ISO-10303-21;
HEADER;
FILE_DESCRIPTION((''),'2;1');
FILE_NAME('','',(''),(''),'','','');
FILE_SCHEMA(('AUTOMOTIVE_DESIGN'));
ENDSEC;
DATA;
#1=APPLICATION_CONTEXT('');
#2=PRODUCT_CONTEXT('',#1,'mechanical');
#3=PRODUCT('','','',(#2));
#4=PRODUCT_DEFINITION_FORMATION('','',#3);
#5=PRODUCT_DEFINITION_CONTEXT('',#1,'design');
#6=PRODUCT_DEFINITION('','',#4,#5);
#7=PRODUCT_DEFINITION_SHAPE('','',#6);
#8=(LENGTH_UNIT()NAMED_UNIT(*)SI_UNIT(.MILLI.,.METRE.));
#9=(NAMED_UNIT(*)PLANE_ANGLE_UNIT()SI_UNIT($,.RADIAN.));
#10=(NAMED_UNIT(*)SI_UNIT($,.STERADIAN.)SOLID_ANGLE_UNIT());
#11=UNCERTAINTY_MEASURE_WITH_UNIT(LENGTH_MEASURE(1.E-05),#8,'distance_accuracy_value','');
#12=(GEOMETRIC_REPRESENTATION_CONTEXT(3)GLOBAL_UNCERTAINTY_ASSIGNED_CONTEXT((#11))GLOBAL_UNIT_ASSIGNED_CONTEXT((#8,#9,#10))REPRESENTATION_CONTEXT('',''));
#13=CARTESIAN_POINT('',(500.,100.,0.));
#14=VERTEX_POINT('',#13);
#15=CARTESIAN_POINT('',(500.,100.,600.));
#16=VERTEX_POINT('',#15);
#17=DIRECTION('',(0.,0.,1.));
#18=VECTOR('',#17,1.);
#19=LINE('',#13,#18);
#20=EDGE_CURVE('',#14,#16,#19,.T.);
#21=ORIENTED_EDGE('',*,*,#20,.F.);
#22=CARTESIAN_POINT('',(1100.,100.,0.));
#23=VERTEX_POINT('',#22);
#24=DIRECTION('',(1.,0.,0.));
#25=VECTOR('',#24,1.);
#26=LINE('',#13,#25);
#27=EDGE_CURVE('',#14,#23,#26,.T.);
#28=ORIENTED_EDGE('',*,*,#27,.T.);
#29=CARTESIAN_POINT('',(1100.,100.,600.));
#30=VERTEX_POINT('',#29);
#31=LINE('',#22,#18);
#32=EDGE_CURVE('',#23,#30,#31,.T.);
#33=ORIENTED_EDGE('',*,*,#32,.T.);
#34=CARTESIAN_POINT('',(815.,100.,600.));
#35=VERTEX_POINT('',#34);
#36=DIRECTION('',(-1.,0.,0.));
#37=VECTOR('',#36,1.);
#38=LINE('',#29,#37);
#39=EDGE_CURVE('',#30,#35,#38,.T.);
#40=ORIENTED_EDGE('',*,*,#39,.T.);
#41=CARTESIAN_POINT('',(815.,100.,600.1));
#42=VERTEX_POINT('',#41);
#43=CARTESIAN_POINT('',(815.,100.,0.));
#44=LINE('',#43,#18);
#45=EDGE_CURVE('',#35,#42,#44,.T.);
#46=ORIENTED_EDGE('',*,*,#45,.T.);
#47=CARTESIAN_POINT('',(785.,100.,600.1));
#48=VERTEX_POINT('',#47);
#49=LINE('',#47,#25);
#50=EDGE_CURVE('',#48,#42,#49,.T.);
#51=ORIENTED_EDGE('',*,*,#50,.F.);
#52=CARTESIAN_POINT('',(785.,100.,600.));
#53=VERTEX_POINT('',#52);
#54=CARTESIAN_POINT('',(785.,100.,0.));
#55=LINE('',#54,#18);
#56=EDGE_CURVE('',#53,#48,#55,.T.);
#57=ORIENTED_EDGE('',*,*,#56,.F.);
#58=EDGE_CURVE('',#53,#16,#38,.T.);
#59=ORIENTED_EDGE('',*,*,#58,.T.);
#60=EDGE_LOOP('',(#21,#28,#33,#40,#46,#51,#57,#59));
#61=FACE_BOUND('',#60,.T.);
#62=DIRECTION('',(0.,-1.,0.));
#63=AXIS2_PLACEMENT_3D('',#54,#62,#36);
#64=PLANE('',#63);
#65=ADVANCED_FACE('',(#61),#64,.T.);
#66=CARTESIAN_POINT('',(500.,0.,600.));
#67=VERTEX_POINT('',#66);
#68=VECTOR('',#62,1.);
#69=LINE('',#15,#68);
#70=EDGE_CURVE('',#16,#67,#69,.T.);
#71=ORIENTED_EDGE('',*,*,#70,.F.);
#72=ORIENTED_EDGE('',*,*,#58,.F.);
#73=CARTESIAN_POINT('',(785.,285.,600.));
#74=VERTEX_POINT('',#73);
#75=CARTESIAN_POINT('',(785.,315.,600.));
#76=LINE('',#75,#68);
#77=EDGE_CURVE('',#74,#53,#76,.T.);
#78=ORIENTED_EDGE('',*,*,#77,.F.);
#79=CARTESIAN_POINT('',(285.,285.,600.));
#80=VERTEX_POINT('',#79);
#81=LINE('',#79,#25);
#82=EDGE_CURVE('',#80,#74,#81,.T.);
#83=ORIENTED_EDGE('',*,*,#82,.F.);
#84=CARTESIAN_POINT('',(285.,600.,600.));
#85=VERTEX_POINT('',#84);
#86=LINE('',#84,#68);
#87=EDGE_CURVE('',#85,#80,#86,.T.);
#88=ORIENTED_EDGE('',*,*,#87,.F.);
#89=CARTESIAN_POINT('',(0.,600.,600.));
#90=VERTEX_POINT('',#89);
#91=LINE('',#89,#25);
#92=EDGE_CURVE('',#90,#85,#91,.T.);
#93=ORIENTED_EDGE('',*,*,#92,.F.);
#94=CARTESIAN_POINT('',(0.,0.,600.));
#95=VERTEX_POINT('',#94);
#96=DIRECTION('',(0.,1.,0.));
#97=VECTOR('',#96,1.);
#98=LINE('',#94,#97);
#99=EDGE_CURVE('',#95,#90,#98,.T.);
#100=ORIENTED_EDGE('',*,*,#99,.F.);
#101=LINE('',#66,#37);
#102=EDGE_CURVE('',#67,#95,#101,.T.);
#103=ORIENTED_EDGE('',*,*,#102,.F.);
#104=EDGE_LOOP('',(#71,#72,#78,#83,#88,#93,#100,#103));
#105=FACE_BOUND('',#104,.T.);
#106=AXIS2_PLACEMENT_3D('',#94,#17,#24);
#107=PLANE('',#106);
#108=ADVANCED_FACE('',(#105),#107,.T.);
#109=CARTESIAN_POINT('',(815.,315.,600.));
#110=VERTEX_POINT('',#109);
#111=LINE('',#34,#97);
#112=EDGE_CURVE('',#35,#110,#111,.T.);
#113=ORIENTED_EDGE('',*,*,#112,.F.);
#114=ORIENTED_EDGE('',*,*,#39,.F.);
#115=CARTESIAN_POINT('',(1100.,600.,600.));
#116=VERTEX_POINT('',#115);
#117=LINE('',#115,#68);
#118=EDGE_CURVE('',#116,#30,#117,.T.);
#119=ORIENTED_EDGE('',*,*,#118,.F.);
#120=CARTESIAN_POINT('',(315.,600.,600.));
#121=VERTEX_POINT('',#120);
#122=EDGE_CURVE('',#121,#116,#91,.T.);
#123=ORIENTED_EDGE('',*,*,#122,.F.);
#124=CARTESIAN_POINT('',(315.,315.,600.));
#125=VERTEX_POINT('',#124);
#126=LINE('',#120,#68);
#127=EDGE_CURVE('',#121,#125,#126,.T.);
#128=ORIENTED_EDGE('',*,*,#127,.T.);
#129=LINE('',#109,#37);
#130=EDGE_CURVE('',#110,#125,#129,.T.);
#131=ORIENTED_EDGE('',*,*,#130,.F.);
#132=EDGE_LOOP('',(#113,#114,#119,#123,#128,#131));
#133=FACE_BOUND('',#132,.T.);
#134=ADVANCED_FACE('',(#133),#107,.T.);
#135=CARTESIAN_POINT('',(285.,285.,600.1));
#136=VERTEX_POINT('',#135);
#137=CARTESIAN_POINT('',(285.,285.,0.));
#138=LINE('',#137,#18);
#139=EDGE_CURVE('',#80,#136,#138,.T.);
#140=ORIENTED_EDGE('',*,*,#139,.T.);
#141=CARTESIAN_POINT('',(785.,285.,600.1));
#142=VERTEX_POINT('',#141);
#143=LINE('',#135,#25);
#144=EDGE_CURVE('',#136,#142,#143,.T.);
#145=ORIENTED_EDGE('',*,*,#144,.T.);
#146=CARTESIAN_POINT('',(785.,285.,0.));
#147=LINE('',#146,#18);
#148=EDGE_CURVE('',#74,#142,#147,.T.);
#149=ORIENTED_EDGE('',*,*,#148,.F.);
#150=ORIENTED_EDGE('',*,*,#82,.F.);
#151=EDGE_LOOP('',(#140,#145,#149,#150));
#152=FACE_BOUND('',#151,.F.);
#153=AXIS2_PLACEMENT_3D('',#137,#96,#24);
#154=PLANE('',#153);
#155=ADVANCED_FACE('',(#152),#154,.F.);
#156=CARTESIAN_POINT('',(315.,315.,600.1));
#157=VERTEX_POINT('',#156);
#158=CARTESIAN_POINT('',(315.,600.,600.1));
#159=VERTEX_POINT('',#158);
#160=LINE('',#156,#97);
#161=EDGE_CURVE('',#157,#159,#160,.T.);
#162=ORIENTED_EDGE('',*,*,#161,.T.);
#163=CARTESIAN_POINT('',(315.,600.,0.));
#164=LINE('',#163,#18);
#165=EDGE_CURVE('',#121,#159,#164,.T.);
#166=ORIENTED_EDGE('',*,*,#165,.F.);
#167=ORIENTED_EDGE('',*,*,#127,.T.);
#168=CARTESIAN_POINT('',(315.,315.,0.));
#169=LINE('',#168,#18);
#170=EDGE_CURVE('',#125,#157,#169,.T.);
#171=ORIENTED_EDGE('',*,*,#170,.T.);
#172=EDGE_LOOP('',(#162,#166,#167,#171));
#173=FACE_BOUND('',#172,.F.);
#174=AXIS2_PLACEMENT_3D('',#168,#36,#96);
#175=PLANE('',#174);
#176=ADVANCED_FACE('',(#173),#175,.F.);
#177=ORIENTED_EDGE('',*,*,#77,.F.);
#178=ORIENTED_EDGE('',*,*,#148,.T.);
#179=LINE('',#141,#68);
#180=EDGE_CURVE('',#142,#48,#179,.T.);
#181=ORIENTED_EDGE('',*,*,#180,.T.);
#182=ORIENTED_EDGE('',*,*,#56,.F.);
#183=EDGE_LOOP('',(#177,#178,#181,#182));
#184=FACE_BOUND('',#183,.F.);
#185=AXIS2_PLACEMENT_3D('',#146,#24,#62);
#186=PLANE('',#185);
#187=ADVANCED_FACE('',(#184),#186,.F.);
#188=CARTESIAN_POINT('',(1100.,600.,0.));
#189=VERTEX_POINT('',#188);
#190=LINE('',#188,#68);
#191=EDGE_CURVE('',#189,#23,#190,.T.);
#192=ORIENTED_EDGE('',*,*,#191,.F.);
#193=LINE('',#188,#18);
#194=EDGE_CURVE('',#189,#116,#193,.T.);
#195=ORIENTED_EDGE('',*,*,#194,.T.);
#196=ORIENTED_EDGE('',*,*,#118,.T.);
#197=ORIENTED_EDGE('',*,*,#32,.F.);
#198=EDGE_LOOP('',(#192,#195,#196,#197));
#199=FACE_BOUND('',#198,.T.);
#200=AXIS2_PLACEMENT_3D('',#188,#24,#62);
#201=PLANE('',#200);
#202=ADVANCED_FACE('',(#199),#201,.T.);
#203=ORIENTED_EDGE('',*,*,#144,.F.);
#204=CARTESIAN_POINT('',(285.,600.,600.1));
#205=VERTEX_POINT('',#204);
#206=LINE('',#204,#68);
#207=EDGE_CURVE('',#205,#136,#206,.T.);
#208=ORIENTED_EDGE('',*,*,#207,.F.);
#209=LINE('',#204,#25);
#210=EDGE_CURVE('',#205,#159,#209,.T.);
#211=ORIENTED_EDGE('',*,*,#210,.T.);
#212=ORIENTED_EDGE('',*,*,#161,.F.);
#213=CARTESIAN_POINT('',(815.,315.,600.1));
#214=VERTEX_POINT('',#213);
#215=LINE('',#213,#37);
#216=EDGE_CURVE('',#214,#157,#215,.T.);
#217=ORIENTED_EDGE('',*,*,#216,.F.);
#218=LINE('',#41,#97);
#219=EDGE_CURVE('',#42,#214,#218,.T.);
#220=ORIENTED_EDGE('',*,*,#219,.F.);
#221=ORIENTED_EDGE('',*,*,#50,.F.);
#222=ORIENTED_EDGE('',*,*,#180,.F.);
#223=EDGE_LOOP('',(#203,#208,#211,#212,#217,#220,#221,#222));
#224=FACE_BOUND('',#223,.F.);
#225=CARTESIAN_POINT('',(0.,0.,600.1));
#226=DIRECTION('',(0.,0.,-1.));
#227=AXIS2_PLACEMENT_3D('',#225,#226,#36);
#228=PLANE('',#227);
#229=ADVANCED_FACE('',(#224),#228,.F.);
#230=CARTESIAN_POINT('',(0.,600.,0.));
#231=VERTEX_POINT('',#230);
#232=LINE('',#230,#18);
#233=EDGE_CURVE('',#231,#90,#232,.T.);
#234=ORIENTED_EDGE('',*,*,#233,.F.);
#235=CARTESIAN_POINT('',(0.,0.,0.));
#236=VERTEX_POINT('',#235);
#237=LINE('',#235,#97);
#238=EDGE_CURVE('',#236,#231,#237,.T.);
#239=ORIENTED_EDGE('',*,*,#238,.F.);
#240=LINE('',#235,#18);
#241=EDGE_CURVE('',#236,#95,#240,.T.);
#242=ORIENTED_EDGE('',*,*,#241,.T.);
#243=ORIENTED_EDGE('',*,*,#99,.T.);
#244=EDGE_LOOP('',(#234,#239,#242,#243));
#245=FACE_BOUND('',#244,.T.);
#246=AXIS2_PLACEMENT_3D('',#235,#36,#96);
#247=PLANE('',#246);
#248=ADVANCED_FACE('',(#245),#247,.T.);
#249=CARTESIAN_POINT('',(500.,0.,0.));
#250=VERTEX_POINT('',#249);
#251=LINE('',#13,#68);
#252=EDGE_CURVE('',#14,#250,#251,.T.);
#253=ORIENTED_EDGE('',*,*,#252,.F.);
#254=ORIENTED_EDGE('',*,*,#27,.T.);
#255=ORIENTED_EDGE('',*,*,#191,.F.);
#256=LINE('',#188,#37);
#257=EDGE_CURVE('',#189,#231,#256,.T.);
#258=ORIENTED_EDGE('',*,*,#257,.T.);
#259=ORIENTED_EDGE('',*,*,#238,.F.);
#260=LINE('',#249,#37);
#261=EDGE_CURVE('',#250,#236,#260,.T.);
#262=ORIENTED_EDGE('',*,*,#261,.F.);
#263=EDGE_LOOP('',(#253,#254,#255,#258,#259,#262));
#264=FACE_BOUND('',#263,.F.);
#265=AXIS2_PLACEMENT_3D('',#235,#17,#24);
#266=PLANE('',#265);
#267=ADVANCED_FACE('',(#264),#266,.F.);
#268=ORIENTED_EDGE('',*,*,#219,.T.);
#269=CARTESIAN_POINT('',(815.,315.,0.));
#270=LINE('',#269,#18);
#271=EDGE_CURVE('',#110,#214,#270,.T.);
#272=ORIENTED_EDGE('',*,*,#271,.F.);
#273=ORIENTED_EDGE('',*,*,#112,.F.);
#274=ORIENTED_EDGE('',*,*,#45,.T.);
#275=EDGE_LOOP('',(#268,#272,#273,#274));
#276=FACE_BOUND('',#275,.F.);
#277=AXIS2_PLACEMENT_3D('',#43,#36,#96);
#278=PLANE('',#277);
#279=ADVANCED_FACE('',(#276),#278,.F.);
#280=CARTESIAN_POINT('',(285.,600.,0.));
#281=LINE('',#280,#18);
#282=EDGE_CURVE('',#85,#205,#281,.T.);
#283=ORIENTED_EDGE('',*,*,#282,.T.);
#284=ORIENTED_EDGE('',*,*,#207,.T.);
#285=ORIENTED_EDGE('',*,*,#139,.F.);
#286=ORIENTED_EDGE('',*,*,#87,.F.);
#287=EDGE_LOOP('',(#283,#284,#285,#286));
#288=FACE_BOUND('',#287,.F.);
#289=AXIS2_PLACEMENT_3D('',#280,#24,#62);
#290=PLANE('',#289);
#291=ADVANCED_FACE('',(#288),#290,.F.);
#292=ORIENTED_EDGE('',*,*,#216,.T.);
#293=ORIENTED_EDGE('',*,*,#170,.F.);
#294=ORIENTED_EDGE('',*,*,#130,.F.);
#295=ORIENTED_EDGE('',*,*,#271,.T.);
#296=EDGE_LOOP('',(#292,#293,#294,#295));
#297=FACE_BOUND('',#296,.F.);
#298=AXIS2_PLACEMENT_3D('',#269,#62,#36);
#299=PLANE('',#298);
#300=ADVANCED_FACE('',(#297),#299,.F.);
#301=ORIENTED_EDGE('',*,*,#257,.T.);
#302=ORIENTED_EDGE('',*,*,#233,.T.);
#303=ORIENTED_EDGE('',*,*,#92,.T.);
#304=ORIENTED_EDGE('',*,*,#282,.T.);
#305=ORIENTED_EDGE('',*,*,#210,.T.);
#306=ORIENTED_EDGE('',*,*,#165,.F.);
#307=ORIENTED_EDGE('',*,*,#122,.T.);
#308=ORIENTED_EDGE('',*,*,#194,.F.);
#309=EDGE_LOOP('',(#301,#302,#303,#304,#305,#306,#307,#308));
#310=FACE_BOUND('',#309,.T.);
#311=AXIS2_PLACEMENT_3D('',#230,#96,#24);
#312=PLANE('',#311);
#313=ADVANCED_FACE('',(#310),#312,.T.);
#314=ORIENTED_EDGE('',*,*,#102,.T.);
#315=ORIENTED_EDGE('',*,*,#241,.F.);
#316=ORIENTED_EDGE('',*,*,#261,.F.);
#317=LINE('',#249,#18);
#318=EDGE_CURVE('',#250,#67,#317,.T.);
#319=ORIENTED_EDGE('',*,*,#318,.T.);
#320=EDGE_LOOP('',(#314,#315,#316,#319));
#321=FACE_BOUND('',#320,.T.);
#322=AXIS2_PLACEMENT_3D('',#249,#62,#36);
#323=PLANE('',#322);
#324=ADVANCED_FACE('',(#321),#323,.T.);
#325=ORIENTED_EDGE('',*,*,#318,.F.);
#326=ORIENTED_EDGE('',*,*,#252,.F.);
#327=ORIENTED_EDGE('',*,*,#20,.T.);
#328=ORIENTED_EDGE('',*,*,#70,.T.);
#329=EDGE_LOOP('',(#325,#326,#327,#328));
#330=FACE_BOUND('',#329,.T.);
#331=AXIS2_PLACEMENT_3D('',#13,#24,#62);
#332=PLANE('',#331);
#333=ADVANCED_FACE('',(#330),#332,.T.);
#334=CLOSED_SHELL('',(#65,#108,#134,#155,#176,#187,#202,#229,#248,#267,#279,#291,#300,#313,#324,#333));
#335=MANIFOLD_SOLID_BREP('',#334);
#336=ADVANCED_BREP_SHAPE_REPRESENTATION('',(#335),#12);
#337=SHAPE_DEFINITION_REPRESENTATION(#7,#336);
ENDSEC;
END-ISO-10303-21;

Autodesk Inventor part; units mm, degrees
ref_plane "YZ Plane" through (0, 0, 0) normal (1, 0, 0) x (0, 1, 0)
ref_plane "XZ Plane" through (0, 0, 0) normal (0, 1, 0) x (-1, 0, 0)
ref_plane "XY Plane" through (0, 0, 0) normal (0, 0, 1) x (1, 0, 0)
sketch "スケッチ1" plane through (0, 0, 0) normal (0, 0, 1) x (1, 0, 0)
  line L0 (0, 0) -> (0, 600)
  line L1 (0, 600) -> (1100, 600)
  line L2 (1100, 600) -> (1100, 100)
  line L3 (1100, 100) -> (500, 100)
  line L4 (500, 100) -> (500, 0)
  line L5 (500, 0) -> (0, 0)
  line L6 (285, 600) -> (315, 600)
  line L7 (315, 600) -> (315, 285)
  line L8 (315, 285) -> (285, 285)
  line L9 (285, 285) -> (285, 600)
  line L10 (285, 285) -> (815, 285)
  line L11 (815, 285) -> (815, 315)
  line L12 (815, 315) -> (285, 315)
  line L13 (285, 315) -> (285, 285)
  line L14 (785, 100) -> (815, 100)
  line L15 (815, 100) -> (815, 315)
  line L16 (815, 315) -> (785, 315)
  line L17 (785, 315) -> (785, 100)
  point P0 (285, 300)
  point P1 (0, 300)
  point P2 (800, 100)
  point P3 (800, 100)
  dimension "d0" = 600
  dimension "d1" = 1100
  dimension "d2" = 500
  dimension "d3" = 600
  dimension "d4" = 100
  dimension "d5" = 30
  dimension "d6" = 285
extrude "押し出し1" add sketch "スケッチ1" along normal blind 600 contours L0 L1 L9 L8 L10 L17 L3 L4 L5 | L1 L2 L3 L15 L11 L12 L7
sketch "スケッチ2" plane through (0, 0, 0) normal (0, 0, -1) x (-1, 0, 0)
  line L0 (-285, 285) -> (-785, 285) projected
  line L1 (-785, 285) -> (-785, 100) projected
  line L2 (-285, 600) -> (-285, 285) projected
  line L3 (-815, 315) -> (-315, 315) projected
  line L4 (-315, 315) -> (-315, 600) projected
  line L5 (-1100, 600) -> (-315, 600) projected
  line L6 (-1100, 100) -> (-1100, 600) projected
  line L7 (-815, 100) -> (-1100, 100) projected
  line L8 (-815, 100) -> (-815, 315) projected
  line L9 (-285, 600) -> (-315, 600)
  line L10 (-785, 100) -> (-815, 100)
extrude "押し出し2" add sketch "スケッチ2" against normal blind 600.1 contours L0 L1 L10 L8 L3 L4 L9 L2
sketch "スケッチ3" plane through (0, 0, 600.1) normal (0, 0, 1) x (1, 0, 0)
  line L0 (285, 600) -> (285, 285) projected
  line L1 (285, 285) -> (785, 285) projected
  line L2 (815, 100) -> (815, 315) projected
  line L3 (815, 315) -> (315, 315) projected
  point P0 (0, 0)
  point P1 (800, 300)
  point P2 (300, 300)
  point P3 (300, 500)
  point P4 (600, 298.5149)
  dimension "d11" = 15
  dimension "d12" = 15
  dimension "d13" = 15
  dimension "d14" = 15
  dimension "d15" = 200
  dimension "d16" = 200
equation "\"d12\" = d11"
equation "\"d14\" = d13"
properties part number "River 2_赤"
